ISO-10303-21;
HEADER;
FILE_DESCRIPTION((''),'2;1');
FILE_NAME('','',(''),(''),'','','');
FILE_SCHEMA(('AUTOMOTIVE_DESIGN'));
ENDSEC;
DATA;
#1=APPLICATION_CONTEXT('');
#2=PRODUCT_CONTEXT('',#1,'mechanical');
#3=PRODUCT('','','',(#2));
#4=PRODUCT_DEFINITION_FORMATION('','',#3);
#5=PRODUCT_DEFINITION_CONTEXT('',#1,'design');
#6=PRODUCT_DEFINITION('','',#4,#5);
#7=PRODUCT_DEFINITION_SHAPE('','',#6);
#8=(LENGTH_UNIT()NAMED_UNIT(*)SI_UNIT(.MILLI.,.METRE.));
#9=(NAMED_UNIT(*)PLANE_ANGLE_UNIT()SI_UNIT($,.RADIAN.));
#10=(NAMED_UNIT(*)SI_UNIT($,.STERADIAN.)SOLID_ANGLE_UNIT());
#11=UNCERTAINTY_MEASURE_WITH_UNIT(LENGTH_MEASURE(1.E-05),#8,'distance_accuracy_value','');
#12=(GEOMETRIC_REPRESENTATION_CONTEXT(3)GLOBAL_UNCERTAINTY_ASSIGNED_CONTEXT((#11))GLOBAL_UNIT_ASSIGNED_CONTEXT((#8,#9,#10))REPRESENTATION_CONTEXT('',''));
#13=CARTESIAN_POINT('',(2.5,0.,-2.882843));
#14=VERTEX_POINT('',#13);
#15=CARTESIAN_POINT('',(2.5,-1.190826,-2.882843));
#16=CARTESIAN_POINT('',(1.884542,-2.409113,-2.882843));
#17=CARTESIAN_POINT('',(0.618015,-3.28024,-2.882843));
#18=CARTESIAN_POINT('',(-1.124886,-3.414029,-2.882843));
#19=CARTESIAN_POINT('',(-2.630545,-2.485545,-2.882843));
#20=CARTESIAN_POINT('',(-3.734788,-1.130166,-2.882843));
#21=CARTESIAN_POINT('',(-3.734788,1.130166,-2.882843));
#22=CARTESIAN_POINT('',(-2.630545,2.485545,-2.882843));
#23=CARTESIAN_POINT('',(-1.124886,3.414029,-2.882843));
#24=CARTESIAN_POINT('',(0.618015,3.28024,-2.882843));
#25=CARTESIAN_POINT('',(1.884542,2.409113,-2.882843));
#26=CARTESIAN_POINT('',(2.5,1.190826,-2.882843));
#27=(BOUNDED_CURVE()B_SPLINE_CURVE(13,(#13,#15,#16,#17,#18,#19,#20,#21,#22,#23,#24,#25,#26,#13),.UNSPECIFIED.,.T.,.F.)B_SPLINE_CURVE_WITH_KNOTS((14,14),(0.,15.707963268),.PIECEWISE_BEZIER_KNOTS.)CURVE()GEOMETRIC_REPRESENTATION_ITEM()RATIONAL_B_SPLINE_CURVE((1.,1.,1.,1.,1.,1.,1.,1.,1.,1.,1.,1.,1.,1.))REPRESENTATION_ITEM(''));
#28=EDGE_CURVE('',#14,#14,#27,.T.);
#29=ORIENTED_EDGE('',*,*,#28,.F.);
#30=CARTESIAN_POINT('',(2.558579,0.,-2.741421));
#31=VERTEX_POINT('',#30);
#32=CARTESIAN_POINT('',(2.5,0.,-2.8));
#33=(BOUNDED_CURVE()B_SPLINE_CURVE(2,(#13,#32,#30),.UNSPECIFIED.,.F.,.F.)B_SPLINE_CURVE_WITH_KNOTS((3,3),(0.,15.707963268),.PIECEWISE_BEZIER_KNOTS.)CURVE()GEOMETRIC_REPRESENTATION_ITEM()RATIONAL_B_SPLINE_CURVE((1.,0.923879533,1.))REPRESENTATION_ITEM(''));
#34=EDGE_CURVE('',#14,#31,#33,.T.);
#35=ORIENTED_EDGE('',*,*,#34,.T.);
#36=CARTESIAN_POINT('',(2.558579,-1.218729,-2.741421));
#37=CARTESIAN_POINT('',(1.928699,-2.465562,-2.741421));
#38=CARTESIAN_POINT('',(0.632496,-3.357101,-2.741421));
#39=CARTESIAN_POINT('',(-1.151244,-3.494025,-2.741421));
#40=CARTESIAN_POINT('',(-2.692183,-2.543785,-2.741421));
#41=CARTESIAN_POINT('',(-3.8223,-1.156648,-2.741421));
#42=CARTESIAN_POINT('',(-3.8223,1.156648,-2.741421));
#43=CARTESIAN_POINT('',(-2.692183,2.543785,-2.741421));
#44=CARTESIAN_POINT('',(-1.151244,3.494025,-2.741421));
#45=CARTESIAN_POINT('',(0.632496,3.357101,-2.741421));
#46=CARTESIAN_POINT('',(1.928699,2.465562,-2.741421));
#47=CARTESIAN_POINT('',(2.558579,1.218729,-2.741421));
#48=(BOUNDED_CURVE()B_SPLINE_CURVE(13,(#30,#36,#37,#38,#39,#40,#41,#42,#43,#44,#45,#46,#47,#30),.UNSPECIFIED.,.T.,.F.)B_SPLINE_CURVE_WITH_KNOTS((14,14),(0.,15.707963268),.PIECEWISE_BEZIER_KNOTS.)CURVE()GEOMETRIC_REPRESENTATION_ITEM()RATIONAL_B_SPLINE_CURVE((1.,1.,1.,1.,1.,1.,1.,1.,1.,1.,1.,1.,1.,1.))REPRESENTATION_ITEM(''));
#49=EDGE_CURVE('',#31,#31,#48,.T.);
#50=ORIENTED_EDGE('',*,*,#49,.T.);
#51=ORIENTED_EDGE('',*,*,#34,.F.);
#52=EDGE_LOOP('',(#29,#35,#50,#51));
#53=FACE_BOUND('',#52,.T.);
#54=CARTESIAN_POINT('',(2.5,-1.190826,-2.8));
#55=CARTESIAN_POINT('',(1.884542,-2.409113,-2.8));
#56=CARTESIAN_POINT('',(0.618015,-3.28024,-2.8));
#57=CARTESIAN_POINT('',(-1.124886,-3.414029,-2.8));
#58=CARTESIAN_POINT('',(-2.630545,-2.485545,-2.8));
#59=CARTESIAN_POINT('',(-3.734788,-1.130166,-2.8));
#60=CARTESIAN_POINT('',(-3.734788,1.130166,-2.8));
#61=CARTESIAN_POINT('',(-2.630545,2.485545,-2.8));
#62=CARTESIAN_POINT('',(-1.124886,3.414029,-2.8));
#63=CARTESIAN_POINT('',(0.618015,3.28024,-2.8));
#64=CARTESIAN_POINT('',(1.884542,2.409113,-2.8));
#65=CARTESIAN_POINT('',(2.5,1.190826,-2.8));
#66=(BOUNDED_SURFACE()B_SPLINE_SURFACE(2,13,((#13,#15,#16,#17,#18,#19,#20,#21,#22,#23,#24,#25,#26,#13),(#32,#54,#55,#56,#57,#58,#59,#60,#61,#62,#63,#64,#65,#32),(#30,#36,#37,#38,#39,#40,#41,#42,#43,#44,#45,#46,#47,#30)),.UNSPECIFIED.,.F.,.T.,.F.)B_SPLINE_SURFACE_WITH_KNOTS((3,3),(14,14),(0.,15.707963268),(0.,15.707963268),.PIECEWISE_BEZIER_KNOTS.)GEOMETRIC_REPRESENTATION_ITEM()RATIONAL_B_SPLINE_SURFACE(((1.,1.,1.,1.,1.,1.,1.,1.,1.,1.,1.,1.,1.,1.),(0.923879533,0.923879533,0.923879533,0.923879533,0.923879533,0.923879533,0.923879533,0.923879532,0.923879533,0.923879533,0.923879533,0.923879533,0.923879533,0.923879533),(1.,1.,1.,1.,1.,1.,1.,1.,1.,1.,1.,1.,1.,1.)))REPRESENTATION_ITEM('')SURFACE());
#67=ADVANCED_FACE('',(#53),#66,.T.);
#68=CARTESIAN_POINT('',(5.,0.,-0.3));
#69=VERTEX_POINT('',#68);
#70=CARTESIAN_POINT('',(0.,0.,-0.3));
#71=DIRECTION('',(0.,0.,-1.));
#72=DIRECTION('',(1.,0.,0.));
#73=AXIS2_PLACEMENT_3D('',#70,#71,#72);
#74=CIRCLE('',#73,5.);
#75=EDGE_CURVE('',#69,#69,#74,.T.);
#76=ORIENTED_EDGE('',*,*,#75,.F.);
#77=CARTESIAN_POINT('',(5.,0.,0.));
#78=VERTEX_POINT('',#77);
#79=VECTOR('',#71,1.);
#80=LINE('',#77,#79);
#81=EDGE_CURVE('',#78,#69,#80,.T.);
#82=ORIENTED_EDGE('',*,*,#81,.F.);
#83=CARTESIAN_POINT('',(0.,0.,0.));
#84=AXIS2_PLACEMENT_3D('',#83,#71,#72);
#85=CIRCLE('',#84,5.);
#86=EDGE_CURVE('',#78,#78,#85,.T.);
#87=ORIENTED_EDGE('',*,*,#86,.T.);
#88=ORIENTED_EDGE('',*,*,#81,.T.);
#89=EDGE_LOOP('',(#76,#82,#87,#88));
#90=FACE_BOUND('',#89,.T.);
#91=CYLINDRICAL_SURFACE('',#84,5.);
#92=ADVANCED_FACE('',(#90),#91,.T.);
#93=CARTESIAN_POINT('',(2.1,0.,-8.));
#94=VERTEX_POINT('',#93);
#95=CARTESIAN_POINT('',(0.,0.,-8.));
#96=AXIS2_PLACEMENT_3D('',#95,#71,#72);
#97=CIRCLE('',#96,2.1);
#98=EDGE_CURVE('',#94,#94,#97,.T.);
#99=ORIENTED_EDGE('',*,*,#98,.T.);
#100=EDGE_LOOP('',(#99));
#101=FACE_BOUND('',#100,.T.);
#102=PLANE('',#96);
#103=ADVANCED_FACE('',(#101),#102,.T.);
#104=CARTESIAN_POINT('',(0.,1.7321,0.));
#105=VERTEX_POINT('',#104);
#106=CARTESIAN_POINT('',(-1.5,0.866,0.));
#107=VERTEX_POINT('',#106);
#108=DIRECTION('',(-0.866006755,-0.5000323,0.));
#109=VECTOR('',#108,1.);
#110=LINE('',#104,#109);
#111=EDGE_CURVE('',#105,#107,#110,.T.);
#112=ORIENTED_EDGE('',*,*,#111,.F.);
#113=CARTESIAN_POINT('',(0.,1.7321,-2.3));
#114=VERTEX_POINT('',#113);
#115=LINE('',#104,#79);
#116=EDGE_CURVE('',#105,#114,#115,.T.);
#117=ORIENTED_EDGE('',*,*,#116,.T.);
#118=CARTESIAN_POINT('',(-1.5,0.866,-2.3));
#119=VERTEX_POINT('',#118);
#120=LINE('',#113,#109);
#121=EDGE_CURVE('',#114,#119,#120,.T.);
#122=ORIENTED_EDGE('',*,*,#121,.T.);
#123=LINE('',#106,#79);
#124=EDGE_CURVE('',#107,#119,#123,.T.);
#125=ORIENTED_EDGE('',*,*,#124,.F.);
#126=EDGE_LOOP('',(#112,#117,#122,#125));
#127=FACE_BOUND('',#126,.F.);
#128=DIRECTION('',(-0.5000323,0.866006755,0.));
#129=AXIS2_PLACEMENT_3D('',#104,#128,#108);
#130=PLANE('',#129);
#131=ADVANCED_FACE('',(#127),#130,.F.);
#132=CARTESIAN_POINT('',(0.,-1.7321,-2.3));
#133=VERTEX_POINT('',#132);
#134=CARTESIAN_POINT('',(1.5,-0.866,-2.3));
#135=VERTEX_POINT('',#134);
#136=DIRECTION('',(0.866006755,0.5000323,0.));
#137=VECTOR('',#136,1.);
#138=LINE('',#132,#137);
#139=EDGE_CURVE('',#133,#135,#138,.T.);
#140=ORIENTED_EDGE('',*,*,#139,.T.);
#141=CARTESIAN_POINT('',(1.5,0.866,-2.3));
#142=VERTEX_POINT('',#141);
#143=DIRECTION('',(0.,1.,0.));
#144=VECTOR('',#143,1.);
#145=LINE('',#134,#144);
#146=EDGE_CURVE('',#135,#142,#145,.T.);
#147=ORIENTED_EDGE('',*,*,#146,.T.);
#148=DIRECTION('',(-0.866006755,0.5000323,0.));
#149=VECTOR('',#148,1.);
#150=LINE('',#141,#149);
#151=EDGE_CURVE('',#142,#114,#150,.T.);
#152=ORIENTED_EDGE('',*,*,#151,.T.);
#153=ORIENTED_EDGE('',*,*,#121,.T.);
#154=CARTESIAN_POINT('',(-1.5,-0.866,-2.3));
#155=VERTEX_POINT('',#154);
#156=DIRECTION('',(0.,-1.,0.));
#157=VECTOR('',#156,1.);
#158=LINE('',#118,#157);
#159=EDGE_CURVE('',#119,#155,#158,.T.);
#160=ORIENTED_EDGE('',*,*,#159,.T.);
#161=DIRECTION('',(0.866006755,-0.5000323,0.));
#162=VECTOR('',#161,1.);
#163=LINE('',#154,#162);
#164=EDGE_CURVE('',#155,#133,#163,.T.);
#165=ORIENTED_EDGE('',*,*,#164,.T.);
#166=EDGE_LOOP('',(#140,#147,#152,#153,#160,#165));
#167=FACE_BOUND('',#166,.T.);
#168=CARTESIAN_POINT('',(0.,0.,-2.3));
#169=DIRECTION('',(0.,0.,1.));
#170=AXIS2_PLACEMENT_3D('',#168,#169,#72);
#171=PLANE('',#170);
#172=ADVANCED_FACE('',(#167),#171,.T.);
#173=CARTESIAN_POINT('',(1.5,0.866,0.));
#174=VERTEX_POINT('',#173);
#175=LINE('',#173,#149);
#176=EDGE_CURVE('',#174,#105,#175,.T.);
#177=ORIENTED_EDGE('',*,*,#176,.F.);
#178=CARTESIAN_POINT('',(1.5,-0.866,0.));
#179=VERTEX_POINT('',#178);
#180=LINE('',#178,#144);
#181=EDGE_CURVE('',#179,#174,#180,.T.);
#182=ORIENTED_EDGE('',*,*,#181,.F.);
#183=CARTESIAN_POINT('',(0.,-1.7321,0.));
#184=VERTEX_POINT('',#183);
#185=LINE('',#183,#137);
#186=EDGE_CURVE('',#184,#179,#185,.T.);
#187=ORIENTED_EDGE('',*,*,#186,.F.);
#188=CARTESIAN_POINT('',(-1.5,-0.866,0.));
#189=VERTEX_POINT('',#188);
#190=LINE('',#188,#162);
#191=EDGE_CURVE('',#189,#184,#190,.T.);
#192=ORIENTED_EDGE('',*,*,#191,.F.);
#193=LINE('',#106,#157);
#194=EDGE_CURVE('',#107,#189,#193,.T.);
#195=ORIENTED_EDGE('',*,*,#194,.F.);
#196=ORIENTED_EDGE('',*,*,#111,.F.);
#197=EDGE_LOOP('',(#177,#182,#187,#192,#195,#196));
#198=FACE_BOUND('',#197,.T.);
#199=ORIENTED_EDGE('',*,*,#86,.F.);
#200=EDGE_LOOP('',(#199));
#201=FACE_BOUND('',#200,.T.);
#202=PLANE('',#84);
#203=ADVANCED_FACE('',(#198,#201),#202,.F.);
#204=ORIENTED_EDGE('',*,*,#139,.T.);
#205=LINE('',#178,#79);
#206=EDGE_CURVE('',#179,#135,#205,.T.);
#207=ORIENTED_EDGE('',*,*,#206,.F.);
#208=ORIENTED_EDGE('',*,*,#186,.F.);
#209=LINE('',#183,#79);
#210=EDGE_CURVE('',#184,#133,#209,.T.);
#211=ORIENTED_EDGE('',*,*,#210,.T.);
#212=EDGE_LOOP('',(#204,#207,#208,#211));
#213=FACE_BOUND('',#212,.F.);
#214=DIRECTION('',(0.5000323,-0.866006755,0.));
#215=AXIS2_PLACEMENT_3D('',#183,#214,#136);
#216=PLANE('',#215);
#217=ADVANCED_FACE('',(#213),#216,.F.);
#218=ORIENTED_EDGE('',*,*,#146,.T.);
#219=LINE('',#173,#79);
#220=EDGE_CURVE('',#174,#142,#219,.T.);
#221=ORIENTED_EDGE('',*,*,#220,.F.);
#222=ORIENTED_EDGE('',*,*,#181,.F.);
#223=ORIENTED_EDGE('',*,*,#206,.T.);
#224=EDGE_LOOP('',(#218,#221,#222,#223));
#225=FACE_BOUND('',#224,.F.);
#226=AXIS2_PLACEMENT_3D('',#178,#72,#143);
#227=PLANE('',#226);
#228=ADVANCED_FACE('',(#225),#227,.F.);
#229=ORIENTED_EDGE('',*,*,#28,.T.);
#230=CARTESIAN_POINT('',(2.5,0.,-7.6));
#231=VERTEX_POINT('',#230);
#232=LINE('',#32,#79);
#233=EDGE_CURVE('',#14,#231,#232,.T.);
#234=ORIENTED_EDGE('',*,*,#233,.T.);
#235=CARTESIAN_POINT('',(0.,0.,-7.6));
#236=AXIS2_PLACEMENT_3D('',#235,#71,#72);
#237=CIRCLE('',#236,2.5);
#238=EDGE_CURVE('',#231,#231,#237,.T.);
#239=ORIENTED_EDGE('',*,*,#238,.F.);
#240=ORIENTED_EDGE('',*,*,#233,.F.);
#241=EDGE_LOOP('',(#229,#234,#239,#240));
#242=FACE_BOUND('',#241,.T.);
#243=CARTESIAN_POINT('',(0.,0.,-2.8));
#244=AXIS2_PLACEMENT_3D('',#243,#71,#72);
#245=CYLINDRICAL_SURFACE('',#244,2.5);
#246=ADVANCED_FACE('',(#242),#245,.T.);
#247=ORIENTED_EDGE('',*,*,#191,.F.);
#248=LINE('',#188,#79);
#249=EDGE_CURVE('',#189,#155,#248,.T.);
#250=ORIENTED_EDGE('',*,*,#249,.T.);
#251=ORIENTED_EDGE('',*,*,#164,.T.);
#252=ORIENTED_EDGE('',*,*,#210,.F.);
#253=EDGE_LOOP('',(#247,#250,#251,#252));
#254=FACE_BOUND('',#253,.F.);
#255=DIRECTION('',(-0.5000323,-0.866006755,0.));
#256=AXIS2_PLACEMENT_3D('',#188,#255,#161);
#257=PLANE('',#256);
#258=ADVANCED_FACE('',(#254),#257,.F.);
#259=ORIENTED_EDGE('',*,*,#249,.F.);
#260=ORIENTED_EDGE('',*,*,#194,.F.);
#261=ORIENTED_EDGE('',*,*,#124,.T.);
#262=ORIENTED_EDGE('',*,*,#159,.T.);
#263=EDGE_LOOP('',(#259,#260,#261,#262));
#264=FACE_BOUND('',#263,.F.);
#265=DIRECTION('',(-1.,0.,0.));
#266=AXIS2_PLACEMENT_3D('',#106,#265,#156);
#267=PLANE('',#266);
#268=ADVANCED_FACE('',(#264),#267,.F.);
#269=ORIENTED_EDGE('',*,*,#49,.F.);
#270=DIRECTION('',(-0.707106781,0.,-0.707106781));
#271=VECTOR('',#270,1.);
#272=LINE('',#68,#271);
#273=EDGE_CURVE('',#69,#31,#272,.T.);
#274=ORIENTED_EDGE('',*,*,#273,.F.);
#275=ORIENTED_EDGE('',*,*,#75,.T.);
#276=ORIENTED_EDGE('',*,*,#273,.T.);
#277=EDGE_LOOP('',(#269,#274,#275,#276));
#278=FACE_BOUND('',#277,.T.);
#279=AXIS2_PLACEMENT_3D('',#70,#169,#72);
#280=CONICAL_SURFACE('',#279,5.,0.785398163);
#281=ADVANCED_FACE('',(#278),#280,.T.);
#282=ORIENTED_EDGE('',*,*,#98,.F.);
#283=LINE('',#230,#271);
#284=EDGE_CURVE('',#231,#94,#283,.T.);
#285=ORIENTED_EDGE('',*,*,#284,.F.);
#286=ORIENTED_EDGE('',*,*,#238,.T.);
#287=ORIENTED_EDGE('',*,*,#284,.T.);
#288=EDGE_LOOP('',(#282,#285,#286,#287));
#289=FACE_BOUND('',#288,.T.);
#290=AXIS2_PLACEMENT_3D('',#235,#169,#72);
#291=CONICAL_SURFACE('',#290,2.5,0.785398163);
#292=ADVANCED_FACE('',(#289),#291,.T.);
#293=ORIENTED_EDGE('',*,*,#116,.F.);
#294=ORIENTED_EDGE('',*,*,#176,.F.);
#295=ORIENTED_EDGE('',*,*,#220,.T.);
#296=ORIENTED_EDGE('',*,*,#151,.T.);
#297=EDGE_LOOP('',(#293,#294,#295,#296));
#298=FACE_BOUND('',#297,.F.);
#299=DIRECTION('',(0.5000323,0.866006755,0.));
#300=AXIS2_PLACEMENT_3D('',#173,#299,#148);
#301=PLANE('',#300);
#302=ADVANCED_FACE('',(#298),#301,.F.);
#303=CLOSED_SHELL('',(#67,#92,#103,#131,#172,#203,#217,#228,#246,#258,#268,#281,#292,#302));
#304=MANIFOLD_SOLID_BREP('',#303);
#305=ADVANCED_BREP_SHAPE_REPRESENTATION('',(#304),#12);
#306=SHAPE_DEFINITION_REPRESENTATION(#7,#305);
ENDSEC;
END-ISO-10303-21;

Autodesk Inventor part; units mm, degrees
ref_plane "YZ Plane" through (0, 0, 0) normal (1, 0, 0) x (0, 1, 0)
sketch "Эскиз1" plane through (0, 0, 0) normal (0, 1, 0) x (-1, 0, 0)
  point P0 (0, 0)
sketch "Эскиз2" plane through (0, 0, 0) normal (0, 1, 0) x (-1, 0, 0)
  line L0 (-2.5, -8) -> (0, -8)
  line L1 (-2.5, -2.8) -> (-2.5, -8)
  line L2 (-5, -0.3) -> (-2.5, -2.8)
  line L3 (-5, 0) -> (-5, -0.3)
  line L4 (0, 0) -> (-5, 0)
  line L5 (0, -8) -> (0, 0)
  line L6 (0, -8) -> (0, 0)
  line L7 (0, -9.6) -> (0, 1.6) projected
  line L8 (1, 0) -> (-6, 0) projected
  dimension "d3" = 5
  dimension "d5" = 2.5
  dimension "d7" = 8
  dimension "ParC" = 0.3
  dimension "d22" = 0
  dimension "d23" = 0
  dimension "d43" = 45
revolve "Вращение1" add sketch "Эскиз2" angle 360 about axis through (0, 0, -8) along (0, 0, -1)
sketch "Эскиз3" plane through (0, 0, 0) normal (0, 0, 1) x (1, 0, 0)
  line L0 (-1.5, 0.866) -> (-1.5, -0.866)
  line L1 (0, 1.7321) -> (-1.5, 0.866)
  line L2 (1.5, 0.866) -> (0, 1.7321)
  line L3 (1.5, -0.866) -> (1.5, 0.866)
  line L4 (0, -1.7321) -> (1.5, -0.866)
  line L5 (-1.5, -0.866) -> (0, -1.7321)
  circle A0 centre (0, 0) radius 1.5 construction
  circle A1 centre (0, 0) radius 2.5 construction
  dimension "d11" = 3
  dimension "d13" = 120
  dimension "d15" = 120
extrude "Выдавливание1" cut sketch "Эскиз3" against normal blind 2.3
fillet "Сопряжение1" radius 0.2 1 edges at (-2.5, 0, -2.8)
chamfer "Фаска1" distance 0.4 angle 45 1 edges at (-2.5, 0, -8) measured on face at (-0.599, -2.4272, -6.2943)
thread "Резьба1" size "M5x0.8" class "6g" standard "ISO Metric profile" length 3.6
ref_plane "MSC_PF1" through (0, 0, 0) normal (1, 0, 0) x (0, 1, 0)
ref_plane "MSC_PT1" through (0, 0, 0) normal (0, 0, -1) x (-1, 0, 0)
equation "\"d3\" = 0.5 * dk"
equation "\"d5\" = 0.5 * NND"
equation "\"d7\" = NLG"
equation "\"d43\" = 0.5 * ang"
equation "\"d11\" = ParS"
equation "\"d16\" = ParT"
equation "\"d18\" = r"
equation "\"d19\" = 0.5 * PTC"
equation "\"d39\" = 0.5 * PTC"
equation "\"NND\" = 5"
equation "\"PTC\" = 0.8"
equation "\"ParK\" = 2.8"
equation "\"ParS\" = 3"
equation "\"ParT\" = 2.3"
equation "\"r\" = 0.2"
equation "\"NLG\" = 8"
equation "\"ang\" = 90deg"
equation "\"THREADDIA\" = NND"
equation "\"dk\" = 10"
properties part number "DIN 7991 - M5x8" material "Сталь, мягкая"
